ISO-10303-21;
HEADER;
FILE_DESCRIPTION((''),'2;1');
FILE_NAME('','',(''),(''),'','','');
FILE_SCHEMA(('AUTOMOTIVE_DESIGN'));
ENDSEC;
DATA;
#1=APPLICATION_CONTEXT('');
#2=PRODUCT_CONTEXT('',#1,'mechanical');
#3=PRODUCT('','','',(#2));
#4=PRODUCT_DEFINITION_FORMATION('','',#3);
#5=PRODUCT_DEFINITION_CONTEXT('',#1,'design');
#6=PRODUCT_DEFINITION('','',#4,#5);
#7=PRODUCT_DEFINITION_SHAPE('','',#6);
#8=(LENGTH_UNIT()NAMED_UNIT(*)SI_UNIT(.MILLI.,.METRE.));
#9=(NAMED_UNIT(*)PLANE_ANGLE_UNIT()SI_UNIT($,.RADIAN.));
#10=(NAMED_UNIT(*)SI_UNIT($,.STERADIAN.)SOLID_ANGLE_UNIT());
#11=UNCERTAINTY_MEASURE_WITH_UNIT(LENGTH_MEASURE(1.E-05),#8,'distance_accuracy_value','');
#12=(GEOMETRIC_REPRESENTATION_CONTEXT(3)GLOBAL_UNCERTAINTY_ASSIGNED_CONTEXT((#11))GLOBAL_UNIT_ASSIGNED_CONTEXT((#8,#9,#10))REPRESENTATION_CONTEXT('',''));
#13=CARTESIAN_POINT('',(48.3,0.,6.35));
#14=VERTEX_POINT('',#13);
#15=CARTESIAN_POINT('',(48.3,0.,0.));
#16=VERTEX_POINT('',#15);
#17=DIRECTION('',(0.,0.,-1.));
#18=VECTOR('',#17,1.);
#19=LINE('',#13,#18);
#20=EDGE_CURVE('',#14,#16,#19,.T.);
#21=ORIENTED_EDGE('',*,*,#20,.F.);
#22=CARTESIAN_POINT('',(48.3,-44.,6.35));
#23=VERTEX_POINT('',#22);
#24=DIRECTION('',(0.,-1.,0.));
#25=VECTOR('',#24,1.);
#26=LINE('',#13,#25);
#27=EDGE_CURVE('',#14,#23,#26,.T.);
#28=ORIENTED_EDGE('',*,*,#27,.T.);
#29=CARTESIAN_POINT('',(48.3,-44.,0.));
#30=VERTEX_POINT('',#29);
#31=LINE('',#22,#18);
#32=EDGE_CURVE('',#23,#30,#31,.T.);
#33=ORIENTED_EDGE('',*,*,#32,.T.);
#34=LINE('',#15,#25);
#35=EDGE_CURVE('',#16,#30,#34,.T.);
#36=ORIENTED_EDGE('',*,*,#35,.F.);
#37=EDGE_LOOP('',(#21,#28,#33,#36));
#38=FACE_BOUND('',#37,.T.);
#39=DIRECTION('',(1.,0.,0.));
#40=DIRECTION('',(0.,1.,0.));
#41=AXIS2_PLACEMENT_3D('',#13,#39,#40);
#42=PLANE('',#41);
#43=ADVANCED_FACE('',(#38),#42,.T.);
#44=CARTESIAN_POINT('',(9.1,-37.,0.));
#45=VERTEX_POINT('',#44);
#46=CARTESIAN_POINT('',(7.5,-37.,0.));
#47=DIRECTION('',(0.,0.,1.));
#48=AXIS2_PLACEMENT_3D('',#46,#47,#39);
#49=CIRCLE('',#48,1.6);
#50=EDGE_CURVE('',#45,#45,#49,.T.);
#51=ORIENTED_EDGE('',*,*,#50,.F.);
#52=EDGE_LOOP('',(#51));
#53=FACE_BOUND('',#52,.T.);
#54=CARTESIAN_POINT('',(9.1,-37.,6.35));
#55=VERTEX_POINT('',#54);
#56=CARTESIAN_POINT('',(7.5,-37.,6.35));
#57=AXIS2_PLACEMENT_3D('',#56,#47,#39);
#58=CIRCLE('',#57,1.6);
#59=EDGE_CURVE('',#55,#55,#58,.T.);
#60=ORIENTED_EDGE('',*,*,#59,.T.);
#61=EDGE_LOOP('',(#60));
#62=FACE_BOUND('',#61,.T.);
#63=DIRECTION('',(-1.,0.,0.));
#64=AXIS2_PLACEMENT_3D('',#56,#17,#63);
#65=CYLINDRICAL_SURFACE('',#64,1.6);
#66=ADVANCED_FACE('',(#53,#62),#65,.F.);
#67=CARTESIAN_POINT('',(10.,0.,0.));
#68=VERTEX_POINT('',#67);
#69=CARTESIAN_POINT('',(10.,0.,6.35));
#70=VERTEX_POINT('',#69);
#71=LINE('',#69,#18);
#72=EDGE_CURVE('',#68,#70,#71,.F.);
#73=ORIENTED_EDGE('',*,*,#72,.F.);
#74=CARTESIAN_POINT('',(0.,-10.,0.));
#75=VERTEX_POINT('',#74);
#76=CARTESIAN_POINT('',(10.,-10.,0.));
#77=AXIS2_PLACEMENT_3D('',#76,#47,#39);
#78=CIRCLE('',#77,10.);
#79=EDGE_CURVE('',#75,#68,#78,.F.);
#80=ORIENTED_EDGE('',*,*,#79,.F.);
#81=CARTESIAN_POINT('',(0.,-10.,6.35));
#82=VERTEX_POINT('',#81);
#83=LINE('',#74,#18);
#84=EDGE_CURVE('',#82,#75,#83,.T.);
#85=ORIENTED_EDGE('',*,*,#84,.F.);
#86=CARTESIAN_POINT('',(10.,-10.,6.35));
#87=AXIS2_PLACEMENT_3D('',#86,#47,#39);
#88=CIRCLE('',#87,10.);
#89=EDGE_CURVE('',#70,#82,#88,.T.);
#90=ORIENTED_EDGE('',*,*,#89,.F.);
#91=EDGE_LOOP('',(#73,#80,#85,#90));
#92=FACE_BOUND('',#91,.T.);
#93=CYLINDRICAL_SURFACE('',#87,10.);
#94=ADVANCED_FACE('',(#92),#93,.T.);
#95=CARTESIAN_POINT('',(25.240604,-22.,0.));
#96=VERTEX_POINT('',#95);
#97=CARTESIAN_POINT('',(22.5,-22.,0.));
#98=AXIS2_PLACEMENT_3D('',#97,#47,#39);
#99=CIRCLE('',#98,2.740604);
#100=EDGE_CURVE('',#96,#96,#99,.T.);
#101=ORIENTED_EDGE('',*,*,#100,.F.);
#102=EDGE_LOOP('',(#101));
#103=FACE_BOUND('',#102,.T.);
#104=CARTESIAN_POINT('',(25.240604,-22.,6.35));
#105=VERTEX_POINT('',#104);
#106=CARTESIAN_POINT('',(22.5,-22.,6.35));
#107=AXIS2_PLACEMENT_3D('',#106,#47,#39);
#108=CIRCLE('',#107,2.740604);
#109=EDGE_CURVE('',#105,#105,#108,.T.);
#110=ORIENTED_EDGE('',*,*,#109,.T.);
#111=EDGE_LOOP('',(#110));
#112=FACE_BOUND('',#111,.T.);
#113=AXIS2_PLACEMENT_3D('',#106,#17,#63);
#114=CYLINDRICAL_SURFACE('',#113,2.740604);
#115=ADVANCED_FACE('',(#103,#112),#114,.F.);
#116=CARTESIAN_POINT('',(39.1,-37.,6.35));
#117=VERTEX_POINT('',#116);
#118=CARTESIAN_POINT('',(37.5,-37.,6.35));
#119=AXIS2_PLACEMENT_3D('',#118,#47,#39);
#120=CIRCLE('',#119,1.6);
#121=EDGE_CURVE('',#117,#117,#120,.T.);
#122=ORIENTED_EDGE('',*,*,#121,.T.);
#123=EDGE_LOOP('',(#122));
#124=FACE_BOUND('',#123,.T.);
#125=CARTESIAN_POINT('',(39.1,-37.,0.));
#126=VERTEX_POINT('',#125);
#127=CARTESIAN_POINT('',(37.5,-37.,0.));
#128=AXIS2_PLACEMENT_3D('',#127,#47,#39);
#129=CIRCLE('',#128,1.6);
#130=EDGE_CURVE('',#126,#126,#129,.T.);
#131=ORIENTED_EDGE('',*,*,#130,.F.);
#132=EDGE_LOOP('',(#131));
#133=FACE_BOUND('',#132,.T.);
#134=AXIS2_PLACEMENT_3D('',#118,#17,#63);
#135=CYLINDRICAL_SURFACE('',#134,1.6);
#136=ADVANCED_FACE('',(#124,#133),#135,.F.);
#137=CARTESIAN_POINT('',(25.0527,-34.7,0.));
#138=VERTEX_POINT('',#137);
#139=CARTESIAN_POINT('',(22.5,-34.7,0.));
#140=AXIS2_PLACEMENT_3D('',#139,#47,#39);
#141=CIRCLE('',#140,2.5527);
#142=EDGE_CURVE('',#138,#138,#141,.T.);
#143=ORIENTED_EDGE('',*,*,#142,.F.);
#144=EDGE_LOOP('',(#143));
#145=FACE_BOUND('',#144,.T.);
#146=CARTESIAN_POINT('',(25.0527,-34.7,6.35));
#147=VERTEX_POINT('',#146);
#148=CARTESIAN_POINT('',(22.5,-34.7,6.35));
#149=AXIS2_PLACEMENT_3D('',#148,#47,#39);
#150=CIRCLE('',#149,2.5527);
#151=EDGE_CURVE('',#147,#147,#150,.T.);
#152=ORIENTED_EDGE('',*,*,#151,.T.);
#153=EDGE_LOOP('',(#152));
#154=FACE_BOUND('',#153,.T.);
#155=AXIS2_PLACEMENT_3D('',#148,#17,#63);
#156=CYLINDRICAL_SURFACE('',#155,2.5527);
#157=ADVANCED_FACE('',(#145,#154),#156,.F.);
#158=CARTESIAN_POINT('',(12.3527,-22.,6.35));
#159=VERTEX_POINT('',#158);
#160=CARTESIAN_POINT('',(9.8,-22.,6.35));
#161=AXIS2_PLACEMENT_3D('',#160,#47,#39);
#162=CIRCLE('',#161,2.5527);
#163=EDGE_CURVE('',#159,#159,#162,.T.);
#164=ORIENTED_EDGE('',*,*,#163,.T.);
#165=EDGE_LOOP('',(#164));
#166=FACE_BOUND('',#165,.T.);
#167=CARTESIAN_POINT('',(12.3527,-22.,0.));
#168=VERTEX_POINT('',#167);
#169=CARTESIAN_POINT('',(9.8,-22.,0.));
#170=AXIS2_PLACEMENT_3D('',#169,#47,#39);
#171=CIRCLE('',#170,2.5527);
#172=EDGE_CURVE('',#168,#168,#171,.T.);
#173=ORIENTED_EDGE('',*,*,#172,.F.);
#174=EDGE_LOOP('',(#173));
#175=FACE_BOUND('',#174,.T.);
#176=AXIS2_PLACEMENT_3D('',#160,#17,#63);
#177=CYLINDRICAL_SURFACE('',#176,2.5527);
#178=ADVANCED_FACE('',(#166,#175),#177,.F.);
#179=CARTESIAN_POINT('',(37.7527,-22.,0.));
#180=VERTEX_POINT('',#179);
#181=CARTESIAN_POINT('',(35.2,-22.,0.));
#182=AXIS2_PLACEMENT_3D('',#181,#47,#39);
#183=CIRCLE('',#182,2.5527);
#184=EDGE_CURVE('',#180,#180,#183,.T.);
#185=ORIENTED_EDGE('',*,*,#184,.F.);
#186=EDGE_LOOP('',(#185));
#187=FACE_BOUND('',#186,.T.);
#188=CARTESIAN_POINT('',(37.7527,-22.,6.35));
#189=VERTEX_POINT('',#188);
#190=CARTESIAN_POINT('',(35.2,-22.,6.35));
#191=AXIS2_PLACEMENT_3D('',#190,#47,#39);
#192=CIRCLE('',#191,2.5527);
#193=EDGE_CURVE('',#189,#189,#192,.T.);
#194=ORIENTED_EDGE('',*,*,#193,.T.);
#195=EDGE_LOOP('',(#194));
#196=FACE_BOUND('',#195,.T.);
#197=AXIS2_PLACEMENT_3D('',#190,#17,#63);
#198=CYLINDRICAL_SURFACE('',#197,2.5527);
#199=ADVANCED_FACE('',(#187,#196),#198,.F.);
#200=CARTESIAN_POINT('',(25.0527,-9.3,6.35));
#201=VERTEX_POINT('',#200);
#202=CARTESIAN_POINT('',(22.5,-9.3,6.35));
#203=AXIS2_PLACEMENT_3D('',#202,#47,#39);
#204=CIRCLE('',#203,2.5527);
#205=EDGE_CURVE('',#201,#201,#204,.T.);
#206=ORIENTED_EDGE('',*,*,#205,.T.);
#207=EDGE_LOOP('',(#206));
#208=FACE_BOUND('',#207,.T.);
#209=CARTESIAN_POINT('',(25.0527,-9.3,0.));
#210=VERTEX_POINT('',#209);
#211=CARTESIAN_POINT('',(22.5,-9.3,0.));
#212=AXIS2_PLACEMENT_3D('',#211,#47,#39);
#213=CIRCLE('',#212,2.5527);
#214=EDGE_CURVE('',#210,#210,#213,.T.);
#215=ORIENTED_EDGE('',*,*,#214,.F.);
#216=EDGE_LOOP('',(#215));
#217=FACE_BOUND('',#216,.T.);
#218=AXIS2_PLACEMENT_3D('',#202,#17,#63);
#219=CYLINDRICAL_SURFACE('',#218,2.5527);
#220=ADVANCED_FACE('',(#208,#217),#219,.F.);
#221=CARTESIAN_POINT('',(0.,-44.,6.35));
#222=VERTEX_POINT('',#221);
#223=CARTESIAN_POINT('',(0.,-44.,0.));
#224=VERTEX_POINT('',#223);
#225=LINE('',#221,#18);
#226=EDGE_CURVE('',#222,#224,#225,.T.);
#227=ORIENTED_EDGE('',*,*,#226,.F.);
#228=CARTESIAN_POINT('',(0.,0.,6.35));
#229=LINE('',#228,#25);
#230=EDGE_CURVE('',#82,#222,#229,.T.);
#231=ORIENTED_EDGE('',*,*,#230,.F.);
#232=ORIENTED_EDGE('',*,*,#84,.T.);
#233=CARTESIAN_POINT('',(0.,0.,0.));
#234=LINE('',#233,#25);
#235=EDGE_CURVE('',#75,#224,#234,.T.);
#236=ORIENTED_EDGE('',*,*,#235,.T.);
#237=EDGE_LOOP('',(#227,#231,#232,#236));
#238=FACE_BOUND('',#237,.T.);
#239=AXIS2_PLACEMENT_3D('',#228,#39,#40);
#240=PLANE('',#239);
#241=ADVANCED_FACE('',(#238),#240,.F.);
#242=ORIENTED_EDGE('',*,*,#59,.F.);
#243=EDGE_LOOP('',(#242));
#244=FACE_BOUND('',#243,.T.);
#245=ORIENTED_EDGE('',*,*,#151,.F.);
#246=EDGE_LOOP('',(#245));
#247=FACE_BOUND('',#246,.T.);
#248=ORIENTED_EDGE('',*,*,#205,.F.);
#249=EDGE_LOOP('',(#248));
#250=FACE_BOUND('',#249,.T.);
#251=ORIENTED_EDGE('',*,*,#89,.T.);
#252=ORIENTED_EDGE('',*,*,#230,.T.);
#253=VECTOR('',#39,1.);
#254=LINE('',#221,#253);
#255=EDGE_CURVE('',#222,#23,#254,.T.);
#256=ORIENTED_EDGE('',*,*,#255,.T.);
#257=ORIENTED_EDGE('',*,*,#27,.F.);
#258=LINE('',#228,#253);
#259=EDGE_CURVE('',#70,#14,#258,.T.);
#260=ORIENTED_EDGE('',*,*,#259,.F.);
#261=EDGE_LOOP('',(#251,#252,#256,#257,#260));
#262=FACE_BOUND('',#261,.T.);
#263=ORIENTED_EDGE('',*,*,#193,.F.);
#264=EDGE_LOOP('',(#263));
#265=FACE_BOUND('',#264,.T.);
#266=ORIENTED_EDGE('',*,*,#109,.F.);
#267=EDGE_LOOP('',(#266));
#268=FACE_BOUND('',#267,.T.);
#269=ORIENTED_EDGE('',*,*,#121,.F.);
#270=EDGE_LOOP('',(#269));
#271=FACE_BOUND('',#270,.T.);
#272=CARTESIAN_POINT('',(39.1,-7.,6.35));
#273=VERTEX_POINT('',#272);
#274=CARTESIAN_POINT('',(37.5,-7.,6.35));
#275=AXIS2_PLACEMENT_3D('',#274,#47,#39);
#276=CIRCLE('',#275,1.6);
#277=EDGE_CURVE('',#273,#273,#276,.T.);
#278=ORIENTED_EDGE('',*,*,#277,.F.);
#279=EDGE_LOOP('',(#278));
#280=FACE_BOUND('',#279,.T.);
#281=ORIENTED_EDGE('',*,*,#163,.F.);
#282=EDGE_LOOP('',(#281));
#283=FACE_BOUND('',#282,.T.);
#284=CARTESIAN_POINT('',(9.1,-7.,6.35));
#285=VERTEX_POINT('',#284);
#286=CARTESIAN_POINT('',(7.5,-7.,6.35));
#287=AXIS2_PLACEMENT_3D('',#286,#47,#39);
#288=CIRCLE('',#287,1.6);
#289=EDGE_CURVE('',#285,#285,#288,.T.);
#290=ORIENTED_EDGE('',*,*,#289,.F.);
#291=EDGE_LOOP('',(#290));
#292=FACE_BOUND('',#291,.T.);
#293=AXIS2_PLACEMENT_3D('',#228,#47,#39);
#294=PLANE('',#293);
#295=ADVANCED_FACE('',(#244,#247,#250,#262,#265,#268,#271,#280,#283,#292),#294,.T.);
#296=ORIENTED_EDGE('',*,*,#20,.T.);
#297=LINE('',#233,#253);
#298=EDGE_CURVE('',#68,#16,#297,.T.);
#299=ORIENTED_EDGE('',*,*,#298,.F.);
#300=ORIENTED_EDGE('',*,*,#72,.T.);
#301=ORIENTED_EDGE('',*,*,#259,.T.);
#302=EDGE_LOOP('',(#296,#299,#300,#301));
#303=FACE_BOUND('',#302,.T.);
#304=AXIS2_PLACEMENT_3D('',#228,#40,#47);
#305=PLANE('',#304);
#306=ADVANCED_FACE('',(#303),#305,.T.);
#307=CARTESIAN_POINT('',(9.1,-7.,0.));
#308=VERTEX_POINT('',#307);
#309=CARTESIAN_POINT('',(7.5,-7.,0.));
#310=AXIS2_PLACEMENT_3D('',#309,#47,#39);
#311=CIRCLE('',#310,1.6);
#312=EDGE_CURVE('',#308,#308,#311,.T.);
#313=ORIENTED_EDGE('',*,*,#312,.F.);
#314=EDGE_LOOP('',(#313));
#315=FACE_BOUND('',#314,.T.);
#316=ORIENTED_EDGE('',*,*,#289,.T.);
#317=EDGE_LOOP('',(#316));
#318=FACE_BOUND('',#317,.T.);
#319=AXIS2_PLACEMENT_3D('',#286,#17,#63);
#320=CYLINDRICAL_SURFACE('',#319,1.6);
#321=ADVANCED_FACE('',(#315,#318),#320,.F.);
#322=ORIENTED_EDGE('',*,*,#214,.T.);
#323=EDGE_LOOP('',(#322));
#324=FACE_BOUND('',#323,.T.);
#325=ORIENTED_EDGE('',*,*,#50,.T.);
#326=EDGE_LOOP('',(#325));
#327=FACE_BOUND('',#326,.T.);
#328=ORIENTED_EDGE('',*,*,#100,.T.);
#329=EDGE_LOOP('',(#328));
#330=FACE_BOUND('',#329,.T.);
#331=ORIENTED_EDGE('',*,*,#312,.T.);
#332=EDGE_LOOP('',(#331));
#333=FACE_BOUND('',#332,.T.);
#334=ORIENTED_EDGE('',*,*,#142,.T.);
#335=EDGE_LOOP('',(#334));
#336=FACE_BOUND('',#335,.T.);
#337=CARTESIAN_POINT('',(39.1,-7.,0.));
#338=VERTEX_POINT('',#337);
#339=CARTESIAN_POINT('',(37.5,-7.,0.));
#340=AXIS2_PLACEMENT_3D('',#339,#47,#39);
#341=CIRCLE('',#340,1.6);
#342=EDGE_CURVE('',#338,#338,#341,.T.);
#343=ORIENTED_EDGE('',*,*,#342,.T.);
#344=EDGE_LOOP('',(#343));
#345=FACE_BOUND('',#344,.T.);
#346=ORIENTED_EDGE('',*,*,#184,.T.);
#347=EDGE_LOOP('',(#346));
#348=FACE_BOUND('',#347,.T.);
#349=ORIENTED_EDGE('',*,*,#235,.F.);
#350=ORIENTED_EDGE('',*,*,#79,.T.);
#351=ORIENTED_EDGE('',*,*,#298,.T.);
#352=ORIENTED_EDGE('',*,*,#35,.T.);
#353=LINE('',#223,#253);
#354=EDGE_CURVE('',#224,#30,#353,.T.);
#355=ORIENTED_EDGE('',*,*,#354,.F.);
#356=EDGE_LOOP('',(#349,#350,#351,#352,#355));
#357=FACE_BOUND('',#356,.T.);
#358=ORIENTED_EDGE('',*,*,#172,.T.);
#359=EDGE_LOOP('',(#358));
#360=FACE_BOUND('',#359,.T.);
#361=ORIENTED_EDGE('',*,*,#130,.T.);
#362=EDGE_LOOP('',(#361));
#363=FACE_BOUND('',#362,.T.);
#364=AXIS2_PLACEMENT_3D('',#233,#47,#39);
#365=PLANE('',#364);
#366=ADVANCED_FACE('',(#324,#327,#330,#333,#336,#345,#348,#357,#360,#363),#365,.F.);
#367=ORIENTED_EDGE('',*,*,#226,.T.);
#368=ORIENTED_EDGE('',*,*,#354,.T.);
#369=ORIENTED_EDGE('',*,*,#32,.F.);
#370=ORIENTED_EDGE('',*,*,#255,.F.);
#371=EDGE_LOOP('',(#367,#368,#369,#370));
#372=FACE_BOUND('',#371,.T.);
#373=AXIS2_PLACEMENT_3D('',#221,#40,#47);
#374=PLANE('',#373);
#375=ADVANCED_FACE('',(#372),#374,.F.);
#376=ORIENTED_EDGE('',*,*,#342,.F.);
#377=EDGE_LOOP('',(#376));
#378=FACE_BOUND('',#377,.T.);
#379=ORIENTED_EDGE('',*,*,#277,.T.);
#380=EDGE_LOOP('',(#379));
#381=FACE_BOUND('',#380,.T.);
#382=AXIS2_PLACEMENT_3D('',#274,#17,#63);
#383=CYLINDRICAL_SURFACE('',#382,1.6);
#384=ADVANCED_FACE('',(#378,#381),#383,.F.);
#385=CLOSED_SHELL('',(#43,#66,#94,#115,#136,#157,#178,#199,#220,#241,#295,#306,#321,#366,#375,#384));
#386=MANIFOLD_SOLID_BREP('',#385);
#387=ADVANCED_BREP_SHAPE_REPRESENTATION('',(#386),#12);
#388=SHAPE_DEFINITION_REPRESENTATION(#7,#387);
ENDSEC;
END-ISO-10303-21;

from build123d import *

# Parameters (mm, degrees)
SKETCH1_W               = 48.3
SKETCH1_H               = 44
SKETCH1_R               = 1.6
SKETCH1_R_2             = 2.5527
SKETCH1_R_3             = 2.740604045
BOSS_EXTRUDE1_DEPTH     = 6.35
F_1_4_20_TAPPED_HOLE1_D = 5.1054
FILLET1_R               = 10


with BuildPart() as part:
    # Sketch1 → Boss-Extrude1 (new body)
    with BuildSketch(Plane.XY):
        with Locations((24.15, -22)):
            Rectangle(SKETCH1_W, SKETCH1_H)
        with Locations((7.5, -37)):
            Circle(SKETCH1_R, mode=Mode.SUBTRACT)
        with Locations((22.5, -9.3)):
            Circle(SKETCH1_R_2, mode=Mode.SUBTRACT)
        with Locations((35.2, -22)):
            Circle(SKETCH1_R_2, mode=Mode.SUBTRACT)
        with Locations((9.8, -22)):
            Circle(SKETCH1_R_2, mode=Mode.SUBTRACT)
        with Locations((22.5, -34.7)):
            Circle(SKETCH1_R_2, mode=Mode.SUBTRACT)
        with Locations((37.5, -37)):
            Circle(SKETCH1_R, mode=Mode.SUBTRACT)
        with Locations((37.5, -7)):
            Circle(SKETCH1_R, mode=Mode.SUBTRACT)
        with Locations((7.5, -7)):
            Circle(SKETCH1_R, mode=Mode.SUBTRACT)
        with Locations((22.5, -22)):
            Circle(SKETCH1_R_3, mode=Mode.SUBTRACT)
    extrude(amount=BOSS_EXTRUDE1_DEPTH)

    # 1/4-20 Tapped Hole1 (through all)
    with Locations(Plane(origin=(22.5, -9.3, 6.35), x_dir=(1, 0, 0), z_dir=(0, 0, 1))):
        with Locations((0, 0), (12.7, -12.7), (-12.7, -12.7), (0, -25.4)):
            Hole(F_1_4_20_TAPPED_HOLE1_D / 2)

    # Fillet1
    fillet1_edges = [part.edges().sort_by_distance(p)[0] for p in [
        (0, 0, 3.175),
    ]]
    fillet(fillet1_edges, radius=FILLET1_R)


solid = part.part
